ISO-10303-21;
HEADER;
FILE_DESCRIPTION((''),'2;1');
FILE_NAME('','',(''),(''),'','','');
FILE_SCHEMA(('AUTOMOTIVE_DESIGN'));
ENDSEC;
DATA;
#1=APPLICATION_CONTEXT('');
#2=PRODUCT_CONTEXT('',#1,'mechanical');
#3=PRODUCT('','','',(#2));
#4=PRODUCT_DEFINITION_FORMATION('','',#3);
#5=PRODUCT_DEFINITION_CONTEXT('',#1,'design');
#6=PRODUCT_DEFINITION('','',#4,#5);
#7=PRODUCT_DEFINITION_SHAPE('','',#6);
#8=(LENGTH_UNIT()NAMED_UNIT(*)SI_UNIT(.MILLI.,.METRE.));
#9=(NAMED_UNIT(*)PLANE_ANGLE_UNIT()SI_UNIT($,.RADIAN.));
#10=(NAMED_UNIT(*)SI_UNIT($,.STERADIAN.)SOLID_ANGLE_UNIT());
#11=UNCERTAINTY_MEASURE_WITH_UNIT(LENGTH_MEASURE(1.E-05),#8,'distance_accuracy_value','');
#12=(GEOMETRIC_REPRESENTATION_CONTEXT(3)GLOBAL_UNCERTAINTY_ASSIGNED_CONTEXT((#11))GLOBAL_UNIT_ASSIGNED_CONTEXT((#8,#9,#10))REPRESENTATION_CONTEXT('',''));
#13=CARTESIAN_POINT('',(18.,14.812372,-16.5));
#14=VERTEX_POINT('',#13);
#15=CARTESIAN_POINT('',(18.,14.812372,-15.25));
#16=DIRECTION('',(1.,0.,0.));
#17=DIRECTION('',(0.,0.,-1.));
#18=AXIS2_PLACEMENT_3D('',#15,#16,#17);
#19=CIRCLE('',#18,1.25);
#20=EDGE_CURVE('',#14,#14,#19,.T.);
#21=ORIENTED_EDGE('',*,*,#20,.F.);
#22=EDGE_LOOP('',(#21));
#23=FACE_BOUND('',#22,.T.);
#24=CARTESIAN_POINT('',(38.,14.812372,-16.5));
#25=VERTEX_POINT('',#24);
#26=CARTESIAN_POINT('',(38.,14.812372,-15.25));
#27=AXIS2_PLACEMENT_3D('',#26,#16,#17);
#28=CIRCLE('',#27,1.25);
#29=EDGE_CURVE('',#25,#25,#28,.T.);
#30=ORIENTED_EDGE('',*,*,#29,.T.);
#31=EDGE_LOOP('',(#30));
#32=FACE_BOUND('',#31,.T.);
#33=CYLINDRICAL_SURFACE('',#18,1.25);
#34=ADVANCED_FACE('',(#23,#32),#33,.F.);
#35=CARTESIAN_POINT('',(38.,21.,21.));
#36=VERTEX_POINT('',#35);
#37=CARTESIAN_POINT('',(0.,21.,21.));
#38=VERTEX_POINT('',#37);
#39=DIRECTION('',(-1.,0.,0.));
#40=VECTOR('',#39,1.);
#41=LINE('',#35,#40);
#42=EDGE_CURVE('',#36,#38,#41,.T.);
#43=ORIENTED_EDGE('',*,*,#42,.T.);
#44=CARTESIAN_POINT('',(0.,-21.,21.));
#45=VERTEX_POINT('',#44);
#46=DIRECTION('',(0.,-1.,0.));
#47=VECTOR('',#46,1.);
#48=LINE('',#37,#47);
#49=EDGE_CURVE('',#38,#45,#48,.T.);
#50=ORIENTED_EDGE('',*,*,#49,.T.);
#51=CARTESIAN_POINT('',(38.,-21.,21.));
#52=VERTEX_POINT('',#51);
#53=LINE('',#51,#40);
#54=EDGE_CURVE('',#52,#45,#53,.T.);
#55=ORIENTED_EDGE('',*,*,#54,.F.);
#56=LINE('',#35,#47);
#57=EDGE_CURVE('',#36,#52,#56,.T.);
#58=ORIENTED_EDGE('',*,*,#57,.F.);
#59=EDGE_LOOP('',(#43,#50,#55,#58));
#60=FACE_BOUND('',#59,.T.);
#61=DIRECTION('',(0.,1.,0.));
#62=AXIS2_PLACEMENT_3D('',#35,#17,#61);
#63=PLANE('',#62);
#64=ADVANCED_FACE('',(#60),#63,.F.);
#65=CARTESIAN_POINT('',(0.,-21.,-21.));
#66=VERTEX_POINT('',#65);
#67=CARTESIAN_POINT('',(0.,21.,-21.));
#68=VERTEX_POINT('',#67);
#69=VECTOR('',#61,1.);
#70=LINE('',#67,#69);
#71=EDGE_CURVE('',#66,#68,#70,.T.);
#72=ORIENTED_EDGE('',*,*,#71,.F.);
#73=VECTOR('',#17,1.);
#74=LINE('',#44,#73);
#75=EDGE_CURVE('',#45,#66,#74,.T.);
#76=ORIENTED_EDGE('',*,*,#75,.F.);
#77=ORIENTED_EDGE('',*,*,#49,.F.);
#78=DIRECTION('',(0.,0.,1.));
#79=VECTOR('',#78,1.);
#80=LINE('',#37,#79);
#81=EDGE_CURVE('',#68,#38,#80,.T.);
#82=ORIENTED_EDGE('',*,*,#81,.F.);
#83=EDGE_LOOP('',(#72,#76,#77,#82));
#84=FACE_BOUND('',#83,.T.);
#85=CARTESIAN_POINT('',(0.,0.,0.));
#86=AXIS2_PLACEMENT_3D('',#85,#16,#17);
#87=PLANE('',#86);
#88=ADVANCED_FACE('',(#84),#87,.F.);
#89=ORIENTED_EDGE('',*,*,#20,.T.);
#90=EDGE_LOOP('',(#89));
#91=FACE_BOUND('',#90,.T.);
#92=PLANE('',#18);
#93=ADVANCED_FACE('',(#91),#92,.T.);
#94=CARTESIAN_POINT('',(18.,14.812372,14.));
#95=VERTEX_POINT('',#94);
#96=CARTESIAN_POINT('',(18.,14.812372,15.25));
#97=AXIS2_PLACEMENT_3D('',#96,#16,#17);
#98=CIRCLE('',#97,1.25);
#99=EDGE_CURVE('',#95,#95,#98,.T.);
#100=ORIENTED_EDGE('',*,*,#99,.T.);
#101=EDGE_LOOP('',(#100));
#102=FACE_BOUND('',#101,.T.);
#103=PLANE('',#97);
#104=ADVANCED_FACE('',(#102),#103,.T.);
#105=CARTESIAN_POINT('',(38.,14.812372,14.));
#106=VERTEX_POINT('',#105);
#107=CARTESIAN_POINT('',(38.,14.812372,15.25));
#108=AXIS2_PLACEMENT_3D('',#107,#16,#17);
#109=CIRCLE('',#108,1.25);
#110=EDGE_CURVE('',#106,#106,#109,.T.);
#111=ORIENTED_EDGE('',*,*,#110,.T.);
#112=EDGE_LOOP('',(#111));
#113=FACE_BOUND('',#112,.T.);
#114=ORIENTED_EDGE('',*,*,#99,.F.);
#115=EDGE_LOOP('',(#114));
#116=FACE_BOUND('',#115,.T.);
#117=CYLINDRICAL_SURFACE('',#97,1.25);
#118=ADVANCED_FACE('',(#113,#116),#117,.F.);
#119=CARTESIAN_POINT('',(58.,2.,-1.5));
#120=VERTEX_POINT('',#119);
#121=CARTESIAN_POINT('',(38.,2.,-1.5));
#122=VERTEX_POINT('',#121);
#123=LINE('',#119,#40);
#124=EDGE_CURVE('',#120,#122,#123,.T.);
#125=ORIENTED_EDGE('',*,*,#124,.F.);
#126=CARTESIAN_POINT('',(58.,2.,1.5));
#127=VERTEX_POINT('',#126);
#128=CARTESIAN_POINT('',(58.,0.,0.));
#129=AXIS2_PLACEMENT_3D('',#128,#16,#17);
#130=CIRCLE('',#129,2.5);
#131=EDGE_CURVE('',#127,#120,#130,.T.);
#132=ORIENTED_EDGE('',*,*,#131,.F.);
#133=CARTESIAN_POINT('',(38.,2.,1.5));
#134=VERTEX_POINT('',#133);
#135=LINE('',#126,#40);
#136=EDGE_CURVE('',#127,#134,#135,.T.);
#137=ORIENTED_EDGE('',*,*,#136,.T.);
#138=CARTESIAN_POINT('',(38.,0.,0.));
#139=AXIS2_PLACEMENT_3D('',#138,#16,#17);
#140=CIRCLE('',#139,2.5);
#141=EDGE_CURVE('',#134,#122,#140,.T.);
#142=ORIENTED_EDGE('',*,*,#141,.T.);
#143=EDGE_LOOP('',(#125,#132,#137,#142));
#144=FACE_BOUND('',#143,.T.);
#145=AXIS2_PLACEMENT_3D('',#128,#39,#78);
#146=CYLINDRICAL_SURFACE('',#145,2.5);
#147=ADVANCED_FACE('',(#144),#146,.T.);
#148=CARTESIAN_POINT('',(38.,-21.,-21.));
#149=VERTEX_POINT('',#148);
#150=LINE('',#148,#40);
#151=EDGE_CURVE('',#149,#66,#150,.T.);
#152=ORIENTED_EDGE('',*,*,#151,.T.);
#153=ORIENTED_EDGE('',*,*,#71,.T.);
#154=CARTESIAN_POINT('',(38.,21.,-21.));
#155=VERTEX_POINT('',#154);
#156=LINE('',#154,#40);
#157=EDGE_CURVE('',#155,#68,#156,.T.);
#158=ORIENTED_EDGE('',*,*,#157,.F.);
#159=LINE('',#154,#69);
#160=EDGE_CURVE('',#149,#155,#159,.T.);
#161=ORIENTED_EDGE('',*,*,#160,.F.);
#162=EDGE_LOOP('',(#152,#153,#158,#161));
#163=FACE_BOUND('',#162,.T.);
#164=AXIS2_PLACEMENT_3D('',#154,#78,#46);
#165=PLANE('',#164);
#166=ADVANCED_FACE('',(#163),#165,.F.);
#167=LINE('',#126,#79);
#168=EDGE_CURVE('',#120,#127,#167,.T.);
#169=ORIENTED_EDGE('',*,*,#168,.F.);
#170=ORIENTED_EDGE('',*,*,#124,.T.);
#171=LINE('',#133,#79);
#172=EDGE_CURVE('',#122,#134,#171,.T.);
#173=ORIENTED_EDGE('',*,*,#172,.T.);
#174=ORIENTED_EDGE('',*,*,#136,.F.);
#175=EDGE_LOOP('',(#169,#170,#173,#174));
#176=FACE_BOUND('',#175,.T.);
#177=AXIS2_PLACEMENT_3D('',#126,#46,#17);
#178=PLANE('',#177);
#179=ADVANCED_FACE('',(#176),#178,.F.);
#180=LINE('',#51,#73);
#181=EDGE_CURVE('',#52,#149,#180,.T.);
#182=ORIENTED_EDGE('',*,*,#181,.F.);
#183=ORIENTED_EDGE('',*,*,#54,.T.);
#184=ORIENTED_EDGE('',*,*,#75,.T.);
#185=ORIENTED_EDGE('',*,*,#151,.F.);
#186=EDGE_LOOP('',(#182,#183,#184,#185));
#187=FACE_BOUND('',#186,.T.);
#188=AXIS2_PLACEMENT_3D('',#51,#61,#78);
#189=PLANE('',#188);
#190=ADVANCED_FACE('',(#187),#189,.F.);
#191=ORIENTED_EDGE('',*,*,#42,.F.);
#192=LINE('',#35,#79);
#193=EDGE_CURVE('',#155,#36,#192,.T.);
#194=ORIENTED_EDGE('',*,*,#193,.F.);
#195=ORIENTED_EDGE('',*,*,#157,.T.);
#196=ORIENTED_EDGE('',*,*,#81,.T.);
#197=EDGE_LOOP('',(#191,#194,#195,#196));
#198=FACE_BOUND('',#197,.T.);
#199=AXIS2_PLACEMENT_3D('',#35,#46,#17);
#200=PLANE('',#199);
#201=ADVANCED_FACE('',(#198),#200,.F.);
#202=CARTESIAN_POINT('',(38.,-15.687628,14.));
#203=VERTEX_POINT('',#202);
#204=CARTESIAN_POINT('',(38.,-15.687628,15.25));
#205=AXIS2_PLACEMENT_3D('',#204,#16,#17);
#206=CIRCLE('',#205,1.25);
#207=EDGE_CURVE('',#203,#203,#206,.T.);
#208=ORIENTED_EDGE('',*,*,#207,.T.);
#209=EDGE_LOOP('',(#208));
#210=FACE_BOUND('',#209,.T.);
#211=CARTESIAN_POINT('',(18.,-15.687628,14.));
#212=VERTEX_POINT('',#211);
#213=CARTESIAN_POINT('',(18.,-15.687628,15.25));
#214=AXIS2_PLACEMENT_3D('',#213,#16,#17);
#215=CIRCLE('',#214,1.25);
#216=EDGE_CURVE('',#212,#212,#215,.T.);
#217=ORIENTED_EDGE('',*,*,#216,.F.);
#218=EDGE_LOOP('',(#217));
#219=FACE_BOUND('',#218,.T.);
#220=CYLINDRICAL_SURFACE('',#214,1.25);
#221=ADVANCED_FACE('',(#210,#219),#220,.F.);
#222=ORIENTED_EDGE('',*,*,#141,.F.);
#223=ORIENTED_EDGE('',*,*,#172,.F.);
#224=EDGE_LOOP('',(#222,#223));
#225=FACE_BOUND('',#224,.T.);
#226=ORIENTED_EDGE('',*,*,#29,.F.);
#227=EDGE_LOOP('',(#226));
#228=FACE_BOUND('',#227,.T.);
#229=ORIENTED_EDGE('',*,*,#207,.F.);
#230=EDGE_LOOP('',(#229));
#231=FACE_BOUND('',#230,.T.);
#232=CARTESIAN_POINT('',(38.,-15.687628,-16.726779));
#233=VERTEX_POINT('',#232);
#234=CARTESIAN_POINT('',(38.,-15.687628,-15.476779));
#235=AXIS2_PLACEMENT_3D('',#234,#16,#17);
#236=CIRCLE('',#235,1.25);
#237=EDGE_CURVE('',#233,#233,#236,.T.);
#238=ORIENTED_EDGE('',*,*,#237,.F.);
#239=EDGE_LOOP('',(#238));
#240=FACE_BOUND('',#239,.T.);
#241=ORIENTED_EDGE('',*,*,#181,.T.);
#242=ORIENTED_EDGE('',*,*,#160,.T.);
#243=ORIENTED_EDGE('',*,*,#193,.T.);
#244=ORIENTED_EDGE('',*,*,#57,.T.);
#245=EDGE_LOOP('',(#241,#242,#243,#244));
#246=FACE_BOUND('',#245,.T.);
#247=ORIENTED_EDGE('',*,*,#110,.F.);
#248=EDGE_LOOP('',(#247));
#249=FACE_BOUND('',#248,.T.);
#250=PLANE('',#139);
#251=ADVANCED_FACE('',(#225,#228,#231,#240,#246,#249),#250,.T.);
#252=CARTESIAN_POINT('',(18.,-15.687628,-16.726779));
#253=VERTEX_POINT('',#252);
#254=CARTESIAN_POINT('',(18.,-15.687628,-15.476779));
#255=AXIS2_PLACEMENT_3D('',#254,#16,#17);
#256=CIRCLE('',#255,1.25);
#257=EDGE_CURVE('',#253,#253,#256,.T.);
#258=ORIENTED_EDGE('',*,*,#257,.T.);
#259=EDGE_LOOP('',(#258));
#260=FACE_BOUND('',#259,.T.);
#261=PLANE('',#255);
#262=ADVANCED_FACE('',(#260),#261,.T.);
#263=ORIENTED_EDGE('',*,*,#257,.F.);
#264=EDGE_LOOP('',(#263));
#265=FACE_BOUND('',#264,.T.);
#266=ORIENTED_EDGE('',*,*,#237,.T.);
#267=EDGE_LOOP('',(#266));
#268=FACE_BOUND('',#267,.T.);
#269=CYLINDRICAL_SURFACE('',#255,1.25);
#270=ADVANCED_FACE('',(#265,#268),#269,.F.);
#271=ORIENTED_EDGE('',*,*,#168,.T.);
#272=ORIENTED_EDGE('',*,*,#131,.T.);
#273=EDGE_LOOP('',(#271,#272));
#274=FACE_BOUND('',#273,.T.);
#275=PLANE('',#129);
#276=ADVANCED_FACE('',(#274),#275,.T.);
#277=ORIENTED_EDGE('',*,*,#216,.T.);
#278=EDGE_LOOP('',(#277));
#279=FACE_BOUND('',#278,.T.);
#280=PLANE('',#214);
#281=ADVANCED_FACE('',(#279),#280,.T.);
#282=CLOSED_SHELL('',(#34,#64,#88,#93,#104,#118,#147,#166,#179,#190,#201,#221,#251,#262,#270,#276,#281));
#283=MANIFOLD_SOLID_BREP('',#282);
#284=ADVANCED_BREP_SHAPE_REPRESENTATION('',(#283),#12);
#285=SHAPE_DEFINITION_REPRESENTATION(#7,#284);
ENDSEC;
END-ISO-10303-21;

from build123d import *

# Parameters (mm, degrees)
SKETCH_1_W          = 42
SKETCH_1_H          = 42
EXTRUDE_1_DEPTH     = 38
EXTRUDE_2_DEPTH     = 20
SKETCH_3_R          = 1.25
CUT_EXTRUDE_1_DEPTH = 20


with BuildPart() as part:
    # 草图1 → 凸台-拉伸1 (new body)
    with BuildSketch(Plane(origin=(0, 0, 0), x_dir=(0, 0, -1), z_dir=(1, 0, 0))):
        Rectangle(SKETCH_1_W, SKETCH_1_H)
    extrude(amount=EXTRUDE_1_DEPTH)

    # 草图2 → 凸台-拉伸2 (add)
    with BuildSketch(Plane(origin=(38, 0, 0), x_dir=(0, 0, -1), z_dir=(1, 0, 0))):
        with BuildLine():
            Line((-1.5, 2), (1.5, 2))
            ThreePointArc((1.5, 2), (0, -2.5), (-1.5, 2))
        make_face()
    extrude(amount=EXTRUDE_2_DEPTH)

    # 草图3 → 切除-拉伸1 (cut)
    with BuildSketch(Plane(origin=(38, 0, 0), x_dir=(0, 0, -1), z_dir=(1, 0, 0))):
        with Locations((-15.25, 14.812372141)):
            Circle(SKETCH_3_R)
        with Locations((15.25, 14.812372141)):
            Circle(SKETCH_3_R)
        with Locations((15.476779335, -15.687627859)):
            Circle(SKETCH_3_R)
        with Locations((-15.25, -15.687627859)):
            Circle(SKETCH_3_R)
    extrude(amount=-CUT_EXTRUDE_1_DEPTH, mode=Mode.SUBTRACT)


solid = part.part
